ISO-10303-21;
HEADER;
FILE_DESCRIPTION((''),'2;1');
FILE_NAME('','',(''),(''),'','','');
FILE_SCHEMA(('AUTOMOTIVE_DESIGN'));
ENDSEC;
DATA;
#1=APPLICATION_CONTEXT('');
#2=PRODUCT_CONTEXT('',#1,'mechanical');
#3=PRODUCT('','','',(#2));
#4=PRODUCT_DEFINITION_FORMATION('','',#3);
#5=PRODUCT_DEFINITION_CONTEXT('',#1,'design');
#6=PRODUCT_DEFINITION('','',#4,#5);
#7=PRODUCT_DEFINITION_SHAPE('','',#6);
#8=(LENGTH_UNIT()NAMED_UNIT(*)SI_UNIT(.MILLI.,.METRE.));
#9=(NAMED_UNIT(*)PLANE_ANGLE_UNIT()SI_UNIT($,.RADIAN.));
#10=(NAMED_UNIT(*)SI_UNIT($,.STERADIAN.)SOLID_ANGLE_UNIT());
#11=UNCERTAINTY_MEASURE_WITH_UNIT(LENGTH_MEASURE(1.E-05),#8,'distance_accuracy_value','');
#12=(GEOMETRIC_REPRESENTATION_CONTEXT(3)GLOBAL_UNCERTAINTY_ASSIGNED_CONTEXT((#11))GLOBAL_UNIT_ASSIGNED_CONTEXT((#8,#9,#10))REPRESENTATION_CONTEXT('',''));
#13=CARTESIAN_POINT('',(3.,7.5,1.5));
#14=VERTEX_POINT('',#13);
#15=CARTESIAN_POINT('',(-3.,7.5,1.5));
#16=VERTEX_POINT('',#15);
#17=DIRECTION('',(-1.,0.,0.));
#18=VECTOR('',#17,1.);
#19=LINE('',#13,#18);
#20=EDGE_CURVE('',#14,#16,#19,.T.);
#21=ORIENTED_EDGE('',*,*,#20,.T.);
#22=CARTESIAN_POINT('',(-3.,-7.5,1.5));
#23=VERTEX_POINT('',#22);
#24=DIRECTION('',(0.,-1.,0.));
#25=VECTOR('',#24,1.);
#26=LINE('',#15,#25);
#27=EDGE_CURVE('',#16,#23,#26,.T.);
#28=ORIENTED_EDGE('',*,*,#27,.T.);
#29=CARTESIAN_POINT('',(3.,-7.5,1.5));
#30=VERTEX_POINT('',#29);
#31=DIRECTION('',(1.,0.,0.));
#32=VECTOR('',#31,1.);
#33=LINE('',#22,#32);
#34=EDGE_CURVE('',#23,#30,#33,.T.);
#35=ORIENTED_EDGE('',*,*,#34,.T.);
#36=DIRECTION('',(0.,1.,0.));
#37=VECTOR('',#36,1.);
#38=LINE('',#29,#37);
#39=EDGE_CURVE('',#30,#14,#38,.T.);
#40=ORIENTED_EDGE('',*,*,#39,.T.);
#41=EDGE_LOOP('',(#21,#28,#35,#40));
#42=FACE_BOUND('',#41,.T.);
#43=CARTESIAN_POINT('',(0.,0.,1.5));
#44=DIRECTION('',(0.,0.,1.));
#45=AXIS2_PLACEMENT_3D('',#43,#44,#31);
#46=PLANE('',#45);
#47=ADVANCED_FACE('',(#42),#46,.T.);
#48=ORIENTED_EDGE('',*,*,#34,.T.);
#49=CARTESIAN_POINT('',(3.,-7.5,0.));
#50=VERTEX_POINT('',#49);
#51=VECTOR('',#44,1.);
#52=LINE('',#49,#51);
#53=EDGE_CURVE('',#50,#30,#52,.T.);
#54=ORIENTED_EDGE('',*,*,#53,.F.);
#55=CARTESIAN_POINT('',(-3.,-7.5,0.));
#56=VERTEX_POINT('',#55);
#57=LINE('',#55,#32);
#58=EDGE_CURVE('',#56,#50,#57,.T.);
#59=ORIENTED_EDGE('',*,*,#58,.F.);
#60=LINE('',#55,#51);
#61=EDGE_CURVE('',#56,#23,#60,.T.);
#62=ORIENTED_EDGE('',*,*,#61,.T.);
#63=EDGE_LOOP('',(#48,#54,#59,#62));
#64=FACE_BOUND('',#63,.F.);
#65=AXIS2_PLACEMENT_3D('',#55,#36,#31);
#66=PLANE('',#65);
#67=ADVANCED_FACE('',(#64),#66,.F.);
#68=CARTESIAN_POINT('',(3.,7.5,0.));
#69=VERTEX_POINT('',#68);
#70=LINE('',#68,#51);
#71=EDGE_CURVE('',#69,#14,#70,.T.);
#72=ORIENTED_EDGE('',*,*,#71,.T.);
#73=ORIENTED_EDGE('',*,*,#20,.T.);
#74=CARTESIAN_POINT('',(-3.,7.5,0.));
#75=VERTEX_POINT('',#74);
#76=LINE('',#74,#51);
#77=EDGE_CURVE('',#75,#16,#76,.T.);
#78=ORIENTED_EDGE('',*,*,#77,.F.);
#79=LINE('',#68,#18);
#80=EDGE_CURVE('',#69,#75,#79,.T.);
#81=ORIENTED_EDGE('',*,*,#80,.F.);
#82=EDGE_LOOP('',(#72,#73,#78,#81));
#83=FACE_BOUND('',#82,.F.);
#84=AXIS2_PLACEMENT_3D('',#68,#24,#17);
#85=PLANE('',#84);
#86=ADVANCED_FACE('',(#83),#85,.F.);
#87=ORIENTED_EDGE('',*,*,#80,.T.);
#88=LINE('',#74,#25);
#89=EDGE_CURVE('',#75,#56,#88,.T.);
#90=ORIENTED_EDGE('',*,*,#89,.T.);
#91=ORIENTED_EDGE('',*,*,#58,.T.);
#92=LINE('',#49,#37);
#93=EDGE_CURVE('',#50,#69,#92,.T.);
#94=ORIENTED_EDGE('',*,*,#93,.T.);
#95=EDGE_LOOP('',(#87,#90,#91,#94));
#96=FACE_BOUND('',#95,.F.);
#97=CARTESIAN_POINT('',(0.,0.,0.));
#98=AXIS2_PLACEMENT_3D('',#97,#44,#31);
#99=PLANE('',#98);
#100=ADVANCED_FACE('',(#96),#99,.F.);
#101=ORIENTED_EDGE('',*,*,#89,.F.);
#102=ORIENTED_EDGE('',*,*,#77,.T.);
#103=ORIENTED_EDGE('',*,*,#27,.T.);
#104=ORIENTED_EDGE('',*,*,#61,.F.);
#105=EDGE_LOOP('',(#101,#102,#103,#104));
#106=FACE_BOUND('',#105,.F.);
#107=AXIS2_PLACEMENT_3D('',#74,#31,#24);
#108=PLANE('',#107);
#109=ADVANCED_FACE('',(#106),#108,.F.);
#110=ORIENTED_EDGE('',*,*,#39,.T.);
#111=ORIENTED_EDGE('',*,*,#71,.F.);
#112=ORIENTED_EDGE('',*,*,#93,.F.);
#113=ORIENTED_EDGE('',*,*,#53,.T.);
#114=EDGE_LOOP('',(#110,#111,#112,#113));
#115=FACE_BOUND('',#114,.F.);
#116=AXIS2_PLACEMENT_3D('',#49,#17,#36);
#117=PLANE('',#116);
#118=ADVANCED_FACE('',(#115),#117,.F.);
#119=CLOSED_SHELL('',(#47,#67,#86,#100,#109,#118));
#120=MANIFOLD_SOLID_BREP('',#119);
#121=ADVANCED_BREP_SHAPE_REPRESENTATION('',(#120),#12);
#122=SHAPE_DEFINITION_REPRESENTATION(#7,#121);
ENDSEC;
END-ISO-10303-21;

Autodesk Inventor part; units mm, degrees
ref_plane "YZ Plane" through (0, 0, 0) normal (1, 0, 0) x (0, 1, 0)
ref_plane "XZ Plane" through (0, 0, 0) normal (0, 1, 0) x (-1, 0, 0)
ref_plane "XY Plane" through (0, 0, 0) normal (0, 0, 1) x (1, 0, 0)
sketch "Sketch1" plane through (0, 0, 0) normal (0, 0, 1) x (1, 0, 0)
  line L0 (-3, -7.5) -> (3, -7.5)
  line L1 (3, -7.5) -> (3, 7.5)
  line L2 (3, 7.5) -> (-3, 7.5)
  line L3 (-3, 7.5) -> (-3, -7.5)
  line L4 (-3, -7.5) -> (3, 7.5) construction
  line L5 (3, -7.5) -> (-3, 7.5) construction
  point P0 (0, 0)
  dimension "d0" = 6
  dimension "d1" = 15
extrude "Extrusion1" add sketch "Sketch1" along normal blind 1.5
properties part number "MAGNETS" material "Stainless Steel"
